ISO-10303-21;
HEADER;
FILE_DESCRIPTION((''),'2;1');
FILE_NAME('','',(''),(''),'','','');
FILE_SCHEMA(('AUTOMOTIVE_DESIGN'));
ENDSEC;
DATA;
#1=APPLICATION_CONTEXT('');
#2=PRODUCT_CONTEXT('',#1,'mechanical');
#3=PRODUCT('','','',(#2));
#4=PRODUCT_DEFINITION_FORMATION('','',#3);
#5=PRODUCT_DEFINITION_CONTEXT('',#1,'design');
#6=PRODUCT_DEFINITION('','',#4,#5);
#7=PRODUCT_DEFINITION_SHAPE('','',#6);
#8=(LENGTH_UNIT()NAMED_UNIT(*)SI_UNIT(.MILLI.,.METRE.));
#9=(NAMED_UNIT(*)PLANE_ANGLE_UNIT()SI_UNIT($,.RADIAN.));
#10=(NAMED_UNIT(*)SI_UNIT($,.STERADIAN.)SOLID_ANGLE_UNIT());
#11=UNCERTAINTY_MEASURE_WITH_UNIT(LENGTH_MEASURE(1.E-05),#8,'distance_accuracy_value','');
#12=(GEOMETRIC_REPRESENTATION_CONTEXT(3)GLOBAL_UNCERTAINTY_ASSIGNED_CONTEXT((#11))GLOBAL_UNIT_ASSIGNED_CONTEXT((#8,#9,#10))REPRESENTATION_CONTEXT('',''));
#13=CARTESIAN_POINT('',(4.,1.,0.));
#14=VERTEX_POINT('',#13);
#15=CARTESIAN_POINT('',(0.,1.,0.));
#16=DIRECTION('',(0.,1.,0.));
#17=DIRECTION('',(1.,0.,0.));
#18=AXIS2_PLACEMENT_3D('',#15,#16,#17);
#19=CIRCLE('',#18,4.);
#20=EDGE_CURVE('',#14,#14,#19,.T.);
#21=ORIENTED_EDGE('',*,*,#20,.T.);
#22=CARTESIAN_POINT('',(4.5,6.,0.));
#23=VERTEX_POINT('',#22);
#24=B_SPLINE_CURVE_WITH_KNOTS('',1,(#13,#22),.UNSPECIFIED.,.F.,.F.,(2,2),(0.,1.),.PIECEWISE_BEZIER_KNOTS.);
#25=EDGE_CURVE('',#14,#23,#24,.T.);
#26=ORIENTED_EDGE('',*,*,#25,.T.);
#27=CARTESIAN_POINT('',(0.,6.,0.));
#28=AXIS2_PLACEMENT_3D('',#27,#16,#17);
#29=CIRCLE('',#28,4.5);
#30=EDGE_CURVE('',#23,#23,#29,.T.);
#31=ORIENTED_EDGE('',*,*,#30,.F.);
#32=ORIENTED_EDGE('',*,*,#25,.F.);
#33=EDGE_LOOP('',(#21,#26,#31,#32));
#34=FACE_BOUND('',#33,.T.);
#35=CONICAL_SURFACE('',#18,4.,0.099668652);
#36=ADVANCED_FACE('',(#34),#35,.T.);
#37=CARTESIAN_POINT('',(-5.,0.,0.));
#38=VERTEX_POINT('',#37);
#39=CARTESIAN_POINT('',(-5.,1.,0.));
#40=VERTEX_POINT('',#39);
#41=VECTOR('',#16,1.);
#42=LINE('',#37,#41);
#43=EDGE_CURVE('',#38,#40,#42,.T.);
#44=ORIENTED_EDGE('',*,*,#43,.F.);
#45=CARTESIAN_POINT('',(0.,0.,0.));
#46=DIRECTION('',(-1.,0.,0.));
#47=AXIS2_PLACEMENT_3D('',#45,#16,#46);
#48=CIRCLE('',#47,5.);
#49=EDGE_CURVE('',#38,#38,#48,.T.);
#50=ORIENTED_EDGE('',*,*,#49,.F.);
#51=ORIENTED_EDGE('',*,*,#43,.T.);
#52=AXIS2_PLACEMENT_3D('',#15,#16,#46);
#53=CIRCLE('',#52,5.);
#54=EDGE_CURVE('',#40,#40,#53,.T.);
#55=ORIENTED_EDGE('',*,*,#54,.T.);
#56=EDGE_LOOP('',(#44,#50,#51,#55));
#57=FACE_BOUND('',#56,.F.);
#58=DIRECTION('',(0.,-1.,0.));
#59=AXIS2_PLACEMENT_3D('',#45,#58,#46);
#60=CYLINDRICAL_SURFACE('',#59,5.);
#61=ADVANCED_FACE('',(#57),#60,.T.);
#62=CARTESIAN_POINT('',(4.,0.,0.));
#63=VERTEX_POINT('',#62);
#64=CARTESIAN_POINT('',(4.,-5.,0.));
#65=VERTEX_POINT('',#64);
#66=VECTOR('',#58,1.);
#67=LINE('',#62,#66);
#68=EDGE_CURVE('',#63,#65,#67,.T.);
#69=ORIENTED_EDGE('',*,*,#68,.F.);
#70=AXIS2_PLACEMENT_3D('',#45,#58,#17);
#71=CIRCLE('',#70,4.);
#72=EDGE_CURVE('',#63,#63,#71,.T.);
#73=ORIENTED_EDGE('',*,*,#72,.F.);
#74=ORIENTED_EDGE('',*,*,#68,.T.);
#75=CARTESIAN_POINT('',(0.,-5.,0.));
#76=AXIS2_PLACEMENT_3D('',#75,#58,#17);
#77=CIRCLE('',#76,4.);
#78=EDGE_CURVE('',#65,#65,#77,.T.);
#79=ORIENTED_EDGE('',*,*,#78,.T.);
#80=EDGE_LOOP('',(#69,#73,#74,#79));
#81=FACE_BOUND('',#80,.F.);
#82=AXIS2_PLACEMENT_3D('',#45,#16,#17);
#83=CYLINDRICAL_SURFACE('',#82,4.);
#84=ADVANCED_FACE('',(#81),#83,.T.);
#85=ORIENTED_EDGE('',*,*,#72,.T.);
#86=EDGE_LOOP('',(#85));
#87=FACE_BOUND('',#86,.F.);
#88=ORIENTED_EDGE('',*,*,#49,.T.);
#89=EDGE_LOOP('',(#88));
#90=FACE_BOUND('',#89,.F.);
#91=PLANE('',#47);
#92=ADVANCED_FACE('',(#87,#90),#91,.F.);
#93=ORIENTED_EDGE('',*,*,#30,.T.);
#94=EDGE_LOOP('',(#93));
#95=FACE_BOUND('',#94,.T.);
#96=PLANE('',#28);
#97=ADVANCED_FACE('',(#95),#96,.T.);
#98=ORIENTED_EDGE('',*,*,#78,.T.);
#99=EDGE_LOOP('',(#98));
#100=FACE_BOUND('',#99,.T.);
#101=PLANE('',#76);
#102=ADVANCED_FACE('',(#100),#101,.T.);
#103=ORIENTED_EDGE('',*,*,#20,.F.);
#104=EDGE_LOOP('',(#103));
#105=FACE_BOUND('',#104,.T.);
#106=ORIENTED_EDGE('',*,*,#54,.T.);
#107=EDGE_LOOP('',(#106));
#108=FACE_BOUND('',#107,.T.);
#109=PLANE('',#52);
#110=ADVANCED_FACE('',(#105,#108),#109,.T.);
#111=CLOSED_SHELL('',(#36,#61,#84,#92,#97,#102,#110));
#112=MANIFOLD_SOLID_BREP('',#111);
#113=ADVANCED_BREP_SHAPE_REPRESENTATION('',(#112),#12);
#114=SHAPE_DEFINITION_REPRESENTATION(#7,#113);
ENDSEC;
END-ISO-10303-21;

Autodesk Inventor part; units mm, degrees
ref_plane "YZ Plane" through (0, 0, 0) normal (1, 0, 0) x (0, 1, 0)
ref_plane "XZ Plane" through (0, 0, 0) normal (0, 1, 0) x (-1, 0, 0)
sketch "草图1" plane through (0, 0, 0) normal (0, 1, 0) x (-1, 0, 0)
  circle A0 centre (0, 0) radius 5
  dimension "d0" = 10
extrude "拉伸1" add sketch "草图1" along normal blind 1
sketch "草图2" plane through (0, 1, 0) normal (0, 1, 0) x (1, 0, 0)
  circle A0 centre (0, 0) radius 4
  dimension "d3" = 8
ref_plane "工作平面1" through (0, 6, 0) normal (0, 1, 0) x (1, 0, 0)
sketch "草图3" plane through (0, 6, 0) normal (0, 1, 0) x (1, 0, 0)
  circle A0 centre (0, 0) radius 4.5
  dimension "d5" = 9
loft "放样1" add profiles "草图2", "草图3"
sketch "草图4" plane through (0, 0, 0) normal (0, -1, 0) x (1, 0, 0)
  circle A0 centre (0, 0) radius 4
  dimension "d11" = 8
extrude "拉伸2" add sketch "草图4" along normal blind 5
properties part number "backtop"
